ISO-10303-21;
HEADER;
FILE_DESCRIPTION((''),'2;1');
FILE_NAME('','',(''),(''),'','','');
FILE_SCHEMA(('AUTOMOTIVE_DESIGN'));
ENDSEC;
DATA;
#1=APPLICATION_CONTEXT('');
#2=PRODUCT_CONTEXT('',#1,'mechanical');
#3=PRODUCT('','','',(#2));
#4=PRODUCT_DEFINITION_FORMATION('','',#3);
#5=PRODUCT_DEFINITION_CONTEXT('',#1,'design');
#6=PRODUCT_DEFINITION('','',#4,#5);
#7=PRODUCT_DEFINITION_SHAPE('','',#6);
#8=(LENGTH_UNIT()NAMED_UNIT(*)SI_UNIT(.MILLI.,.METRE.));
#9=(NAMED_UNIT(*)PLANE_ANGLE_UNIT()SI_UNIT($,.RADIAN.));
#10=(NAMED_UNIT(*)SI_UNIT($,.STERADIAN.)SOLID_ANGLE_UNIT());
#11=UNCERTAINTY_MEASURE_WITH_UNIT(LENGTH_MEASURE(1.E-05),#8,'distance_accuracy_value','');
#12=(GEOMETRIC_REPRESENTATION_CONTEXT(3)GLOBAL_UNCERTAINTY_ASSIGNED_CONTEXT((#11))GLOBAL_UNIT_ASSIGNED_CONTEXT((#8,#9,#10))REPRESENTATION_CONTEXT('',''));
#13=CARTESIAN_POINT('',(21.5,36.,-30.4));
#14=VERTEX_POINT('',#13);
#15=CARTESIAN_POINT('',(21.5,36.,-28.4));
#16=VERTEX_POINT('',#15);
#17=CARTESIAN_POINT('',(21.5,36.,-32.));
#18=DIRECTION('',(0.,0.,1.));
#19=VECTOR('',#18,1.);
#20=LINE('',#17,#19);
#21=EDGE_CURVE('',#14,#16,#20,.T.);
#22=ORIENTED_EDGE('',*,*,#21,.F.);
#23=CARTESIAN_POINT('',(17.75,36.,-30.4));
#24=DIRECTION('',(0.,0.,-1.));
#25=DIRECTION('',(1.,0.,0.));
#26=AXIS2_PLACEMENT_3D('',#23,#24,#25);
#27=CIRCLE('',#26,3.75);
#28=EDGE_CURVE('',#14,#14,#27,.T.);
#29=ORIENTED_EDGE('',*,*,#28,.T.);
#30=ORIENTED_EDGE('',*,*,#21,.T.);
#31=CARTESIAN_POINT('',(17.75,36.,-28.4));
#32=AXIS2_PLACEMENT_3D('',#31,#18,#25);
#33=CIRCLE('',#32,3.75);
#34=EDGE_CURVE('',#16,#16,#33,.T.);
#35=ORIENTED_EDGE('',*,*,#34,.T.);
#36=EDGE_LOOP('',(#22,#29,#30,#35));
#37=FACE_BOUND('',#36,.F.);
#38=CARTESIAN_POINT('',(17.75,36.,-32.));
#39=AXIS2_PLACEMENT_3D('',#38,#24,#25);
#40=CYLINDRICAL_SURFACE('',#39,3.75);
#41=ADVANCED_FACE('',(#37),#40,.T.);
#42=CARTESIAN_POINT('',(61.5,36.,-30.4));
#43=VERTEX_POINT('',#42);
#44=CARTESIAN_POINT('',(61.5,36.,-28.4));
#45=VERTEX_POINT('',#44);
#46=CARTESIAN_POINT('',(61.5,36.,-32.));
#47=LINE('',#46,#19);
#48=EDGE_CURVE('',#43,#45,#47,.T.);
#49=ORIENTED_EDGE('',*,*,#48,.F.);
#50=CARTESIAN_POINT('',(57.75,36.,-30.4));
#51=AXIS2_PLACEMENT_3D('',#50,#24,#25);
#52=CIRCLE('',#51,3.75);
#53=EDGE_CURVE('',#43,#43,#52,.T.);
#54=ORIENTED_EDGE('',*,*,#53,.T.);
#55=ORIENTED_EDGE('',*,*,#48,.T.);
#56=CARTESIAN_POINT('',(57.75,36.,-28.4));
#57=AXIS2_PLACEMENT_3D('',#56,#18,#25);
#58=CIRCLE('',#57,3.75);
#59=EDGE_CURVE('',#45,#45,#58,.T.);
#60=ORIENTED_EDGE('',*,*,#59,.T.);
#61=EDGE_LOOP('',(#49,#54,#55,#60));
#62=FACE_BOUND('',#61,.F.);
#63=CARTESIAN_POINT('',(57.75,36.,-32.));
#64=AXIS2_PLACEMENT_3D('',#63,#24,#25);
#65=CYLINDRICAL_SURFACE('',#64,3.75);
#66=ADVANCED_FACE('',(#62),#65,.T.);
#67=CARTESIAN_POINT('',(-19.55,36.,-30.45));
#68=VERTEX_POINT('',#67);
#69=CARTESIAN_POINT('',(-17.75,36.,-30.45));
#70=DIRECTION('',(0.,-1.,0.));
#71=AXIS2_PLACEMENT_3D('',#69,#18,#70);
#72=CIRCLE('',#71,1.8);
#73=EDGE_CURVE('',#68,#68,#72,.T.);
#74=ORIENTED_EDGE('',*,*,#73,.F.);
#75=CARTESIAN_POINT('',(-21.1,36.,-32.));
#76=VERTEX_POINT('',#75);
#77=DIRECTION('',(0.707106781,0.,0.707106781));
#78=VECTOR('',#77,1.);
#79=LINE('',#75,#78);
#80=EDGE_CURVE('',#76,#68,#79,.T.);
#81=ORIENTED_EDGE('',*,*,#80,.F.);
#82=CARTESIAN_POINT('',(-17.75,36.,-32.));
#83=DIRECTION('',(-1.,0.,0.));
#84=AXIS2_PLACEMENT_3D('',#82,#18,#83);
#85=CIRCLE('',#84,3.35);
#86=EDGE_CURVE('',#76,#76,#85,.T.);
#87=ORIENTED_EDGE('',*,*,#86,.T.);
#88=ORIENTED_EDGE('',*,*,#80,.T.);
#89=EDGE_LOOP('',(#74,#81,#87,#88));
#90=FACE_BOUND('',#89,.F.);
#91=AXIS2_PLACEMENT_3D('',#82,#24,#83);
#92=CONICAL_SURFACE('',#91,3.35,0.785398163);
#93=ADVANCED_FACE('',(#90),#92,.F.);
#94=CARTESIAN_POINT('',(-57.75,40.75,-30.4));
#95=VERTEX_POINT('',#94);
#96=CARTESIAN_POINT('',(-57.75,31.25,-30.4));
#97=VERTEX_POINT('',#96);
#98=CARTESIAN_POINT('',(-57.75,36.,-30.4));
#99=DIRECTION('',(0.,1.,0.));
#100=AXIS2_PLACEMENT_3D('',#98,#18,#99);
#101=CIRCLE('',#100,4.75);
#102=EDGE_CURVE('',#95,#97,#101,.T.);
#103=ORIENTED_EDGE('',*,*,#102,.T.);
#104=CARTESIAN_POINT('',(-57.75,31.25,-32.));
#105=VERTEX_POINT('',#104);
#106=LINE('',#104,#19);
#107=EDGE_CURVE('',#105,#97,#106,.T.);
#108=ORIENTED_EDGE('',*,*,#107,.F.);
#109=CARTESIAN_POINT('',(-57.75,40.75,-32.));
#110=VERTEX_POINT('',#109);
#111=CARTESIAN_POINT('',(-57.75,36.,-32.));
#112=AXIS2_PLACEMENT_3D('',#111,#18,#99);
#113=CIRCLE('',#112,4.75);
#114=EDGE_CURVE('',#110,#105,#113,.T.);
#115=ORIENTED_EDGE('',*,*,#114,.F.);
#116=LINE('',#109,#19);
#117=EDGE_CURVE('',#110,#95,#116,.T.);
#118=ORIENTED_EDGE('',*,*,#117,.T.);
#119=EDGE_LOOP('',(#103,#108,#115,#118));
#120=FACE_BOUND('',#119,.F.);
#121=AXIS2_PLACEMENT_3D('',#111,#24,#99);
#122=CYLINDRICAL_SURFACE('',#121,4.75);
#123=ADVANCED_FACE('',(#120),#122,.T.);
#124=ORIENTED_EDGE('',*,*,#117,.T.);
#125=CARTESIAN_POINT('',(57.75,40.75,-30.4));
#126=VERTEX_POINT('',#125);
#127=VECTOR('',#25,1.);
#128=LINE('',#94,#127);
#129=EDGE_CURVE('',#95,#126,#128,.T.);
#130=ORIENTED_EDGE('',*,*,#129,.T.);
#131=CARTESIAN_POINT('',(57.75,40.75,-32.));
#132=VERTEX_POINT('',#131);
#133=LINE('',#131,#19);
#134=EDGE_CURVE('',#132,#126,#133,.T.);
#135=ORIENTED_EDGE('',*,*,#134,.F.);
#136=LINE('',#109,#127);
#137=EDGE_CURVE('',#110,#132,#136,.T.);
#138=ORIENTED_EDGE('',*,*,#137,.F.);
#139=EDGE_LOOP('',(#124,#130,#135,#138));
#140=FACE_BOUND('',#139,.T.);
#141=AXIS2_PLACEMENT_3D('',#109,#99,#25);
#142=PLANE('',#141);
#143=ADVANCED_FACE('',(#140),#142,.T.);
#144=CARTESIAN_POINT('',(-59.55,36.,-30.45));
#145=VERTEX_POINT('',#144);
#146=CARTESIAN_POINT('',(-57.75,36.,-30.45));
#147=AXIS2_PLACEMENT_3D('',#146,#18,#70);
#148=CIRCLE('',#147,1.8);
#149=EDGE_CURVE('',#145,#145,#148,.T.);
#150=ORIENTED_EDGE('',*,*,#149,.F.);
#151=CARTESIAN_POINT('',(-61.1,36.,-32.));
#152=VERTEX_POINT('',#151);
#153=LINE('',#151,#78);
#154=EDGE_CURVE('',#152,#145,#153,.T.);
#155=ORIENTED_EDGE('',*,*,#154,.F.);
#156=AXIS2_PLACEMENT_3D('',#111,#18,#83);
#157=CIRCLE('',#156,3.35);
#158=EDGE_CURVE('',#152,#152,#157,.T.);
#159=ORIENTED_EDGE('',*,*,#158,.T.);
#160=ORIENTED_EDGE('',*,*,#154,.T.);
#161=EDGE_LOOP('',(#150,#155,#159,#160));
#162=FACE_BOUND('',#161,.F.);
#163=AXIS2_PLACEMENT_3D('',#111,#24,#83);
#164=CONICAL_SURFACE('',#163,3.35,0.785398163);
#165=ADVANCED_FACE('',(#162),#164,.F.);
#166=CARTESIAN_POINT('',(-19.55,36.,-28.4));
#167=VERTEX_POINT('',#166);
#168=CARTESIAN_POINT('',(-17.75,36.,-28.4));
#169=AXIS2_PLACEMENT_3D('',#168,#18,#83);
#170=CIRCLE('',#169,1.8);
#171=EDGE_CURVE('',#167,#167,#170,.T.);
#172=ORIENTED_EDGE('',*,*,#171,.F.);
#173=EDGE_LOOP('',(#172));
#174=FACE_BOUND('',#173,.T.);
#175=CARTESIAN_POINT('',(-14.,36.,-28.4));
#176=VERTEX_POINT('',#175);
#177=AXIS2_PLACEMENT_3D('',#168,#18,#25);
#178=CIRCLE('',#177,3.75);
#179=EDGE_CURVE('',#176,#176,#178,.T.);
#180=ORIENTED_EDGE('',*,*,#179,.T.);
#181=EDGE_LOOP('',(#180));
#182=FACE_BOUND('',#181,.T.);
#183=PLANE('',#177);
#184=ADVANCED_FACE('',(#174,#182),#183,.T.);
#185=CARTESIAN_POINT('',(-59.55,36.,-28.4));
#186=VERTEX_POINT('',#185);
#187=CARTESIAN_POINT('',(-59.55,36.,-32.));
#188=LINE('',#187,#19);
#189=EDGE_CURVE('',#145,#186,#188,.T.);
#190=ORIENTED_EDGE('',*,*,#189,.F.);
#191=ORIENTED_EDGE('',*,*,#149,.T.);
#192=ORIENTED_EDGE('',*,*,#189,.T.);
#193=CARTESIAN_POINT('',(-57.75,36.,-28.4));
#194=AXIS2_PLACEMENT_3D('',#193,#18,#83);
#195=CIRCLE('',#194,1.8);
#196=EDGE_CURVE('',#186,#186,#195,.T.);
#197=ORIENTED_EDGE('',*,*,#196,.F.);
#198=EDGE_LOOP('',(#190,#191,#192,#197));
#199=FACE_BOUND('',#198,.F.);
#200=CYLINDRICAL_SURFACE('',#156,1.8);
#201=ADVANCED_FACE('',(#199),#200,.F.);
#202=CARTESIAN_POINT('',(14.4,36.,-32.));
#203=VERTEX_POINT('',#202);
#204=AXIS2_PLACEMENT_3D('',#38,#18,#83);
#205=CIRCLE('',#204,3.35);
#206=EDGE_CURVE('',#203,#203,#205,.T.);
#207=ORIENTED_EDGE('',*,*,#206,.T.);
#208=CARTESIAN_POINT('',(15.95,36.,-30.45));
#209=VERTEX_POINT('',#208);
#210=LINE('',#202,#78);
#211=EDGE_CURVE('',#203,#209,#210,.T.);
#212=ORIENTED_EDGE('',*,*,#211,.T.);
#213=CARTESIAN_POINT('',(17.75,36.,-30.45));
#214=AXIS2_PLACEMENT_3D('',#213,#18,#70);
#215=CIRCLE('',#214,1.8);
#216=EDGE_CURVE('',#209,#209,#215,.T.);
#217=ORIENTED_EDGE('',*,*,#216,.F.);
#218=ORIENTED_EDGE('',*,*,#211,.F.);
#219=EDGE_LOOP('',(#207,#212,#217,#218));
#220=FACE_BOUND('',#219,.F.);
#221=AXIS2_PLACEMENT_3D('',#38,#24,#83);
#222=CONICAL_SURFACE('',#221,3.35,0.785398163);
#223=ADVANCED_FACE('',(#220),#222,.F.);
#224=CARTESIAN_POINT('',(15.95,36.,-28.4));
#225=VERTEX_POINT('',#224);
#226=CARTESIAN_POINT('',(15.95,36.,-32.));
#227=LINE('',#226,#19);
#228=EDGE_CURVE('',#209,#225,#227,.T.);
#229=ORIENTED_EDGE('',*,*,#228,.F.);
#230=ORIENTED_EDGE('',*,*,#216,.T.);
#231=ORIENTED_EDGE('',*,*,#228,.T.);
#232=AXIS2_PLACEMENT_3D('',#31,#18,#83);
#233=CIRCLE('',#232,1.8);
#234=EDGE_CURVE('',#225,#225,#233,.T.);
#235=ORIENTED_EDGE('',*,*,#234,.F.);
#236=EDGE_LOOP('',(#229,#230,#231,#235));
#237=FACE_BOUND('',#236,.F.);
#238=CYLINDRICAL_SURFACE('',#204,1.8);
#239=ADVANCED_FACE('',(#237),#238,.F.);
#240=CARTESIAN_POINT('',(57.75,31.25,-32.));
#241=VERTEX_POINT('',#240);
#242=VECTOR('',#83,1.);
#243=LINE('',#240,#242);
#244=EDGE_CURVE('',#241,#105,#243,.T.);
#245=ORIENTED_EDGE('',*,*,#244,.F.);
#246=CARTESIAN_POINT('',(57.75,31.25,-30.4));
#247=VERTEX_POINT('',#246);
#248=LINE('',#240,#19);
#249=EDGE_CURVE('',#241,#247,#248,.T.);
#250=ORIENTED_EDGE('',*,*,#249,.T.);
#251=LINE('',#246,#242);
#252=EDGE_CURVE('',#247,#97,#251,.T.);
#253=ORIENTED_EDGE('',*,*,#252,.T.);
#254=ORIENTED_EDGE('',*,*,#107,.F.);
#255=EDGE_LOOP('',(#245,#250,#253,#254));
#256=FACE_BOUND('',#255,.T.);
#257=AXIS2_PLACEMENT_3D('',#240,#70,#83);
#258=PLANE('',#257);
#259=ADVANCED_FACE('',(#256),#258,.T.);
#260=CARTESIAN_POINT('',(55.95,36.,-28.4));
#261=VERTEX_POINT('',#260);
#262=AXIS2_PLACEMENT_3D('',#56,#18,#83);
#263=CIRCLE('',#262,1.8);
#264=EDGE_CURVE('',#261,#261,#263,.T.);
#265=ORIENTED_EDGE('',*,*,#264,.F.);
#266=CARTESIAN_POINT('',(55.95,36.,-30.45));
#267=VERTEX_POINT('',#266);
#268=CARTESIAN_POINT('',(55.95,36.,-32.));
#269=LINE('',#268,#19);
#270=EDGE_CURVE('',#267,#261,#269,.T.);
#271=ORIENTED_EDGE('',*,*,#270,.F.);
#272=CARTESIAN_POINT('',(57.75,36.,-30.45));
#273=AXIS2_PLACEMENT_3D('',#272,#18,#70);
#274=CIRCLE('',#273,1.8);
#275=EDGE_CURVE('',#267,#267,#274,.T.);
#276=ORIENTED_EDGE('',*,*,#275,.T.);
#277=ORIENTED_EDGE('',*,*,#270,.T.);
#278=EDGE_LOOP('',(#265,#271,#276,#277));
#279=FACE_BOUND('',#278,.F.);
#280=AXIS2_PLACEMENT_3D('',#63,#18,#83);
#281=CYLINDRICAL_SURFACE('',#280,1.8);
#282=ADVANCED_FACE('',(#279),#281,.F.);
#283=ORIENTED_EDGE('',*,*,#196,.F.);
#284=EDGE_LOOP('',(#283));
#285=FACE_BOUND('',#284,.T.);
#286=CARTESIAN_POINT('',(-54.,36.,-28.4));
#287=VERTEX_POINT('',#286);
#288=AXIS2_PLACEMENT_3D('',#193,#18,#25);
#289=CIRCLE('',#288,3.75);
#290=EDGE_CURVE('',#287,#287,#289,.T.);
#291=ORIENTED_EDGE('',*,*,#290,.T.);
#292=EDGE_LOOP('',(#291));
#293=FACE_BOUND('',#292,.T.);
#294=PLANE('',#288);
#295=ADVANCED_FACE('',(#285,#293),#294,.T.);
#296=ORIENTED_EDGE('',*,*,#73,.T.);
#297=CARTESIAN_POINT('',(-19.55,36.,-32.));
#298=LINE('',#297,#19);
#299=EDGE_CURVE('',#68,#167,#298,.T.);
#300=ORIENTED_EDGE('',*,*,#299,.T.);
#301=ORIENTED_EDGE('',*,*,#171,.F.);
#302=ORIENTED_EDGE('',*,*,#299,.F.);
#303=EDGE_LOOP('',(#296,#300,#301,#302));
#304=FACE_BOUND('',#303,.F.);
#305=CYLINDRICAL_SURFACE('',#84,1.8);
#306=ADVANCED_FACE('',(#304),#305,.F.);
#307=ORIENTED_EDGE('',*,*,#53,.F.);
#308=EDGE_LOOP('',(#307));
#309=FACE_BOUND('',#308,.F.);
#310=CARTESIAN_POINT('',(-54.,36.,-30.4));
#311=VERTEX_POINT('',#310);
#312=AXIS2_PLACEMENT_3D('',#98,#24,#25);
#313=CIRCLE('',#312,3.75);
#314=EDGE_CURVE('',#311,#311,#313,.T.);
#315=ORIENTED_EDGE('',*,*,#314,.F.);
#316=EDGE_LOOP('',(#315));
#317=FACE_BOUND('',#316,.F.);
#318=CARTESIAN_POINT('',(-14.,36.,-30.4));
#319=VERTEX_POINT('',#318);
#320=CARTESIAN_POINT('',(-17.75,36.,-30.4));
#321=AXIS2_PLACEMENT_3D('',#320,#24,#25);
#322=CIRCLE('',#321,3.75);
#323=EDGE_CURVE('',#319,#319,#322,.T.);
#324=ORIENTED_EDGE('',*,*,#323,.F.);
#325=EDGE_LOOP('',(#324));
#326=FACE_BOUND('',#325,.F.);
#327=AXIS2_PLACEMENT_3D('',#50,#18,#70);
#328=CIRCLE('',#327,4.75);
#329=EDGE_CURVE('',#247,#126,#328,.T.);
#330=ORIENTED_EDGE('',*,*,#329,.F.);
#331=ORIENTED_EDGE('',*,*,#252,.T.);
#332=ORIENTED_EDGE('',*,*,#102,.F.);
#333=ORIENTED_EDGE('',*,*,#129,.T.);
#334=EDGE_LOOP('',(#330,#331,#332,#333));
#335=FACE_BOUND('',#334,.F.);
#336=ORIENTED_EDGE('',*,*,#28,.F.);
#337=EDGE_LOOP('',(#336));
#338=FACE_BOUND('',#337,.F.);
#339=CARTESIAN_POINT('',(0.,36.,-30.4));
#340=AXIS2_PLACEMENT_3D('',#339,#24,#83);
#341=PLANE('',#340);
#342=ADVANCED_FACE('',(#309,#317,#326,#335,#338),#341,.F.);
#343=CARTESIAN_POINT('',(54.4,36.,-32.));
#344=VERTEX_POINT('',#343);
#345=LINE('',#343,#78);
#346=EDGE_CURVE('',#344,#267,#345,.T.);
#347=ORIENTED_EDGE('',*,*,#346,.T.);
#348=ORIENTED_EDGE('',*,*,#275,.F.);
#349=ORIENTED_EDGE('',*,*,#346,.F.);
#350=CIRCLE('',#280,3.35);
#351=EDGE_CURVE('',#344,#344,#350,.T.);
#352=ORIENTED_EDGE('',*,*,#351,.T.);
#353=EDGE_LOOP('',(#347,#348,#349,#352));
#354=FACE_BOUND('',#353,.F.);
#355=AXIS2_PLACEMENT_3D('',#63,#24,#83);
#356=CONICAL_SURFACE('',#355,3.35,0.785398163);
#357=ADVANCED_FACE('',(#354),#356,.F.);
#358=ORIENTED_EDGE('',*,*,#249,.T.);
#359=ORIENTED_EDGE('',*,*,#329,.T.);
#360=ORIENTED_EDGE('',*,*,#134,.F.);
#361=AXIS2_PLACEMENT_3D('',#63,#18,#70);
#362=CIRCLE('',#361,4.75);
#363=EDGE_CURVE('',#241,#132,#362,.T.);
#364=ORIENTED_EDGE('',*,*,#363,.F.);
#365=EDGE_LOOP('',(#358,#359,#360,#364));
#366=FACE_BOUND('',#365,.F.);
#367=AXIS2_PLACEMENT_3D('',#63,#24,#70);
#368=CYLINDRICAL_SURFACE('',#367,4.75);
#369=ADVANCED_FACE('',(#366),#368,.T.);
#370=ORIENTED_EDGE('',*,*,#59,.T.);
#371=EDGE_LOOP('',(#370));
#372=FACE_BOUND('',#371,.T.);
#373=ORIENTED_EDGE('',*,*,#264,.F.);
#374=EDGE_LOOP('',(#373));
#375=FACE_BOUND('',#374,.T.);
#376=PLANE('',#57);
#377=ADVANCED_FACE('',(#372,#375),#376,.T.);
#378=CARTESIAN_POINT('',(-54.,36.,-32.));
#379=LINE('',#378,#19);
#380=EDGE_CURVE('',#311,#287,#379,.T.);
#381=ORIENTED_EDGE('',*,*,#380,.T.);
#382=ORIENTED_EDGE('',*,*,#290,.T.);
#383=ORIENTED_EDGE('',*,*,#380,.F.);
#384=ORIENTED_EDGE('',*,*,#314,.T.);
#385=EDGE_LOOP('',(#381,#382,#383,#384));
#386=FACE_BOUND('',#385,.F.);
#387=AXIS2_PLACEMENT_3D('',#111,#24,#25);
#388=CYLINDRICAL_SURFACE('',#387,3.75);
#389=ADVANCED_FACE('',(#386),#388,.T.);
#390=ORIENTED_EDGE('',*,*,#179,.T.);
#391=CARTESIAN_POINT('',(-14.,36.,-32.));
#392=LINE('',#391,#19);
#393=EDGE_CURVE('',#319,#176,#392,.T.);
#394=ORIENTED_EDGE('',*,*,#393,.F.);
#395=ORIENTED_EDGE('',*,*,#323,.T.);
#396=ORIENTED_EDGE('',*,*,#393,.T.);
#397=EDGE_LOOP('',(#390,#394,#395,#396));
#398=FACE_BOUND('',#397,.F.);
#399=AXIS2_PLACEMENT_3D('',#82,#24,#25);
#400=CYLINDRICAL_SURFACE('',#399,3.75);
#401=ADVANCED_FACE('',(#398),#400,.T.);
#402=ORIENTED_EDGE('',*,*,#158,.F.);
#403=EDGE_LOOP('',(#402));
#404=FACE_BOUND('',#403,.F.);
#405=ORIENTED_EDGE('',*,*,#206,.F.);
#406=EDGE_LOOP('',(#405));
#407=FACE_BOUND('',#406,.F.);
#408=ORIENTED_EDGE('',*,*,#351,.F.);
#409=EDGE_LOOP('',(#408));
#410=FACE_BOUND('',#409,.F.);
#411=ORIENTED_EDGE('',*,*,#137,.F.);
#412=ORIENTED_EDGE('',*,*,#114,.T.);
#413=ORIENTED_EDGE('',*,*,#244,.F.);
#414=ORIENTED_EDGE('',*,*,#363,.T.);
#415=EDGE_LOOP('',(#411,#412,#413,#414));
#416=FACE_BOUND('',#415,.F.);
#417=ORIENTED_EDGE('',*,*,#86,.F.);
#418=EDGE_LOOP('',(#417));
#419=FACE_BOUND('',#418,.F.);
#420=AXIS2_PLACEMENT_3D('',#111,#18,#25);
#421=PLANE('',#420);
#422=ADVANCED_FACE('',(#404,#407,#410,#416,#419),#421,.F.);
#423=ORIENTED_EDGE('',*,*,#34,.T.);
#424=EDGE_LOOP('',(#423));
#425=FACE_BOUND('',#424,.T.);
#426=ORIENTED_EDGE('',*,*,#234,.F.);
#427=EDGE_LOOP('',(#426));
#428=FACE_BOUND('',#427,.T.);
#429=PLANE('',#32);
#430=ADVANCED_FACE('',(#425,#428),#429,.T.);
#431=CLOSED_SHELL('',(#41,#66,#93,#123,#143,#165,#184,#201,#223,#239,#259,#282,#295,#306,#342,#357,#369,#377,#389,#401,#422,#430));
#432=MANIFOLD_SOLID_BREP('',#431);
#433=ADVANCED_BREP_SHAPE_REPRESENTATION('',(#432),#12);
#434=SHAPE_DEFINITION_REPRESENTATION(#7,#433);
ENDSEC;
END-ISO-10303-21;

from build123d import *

# Parameters (mm, degrees)
PAD003_DEPTH        = 1.6
SKETCH006_R         = 3.75
PAD004_DEPTH        = 3.6
HOLE001_D           = 3.6
HOLE001_DEPTH       = 25
HOLE001_CSINK_D     = 6.7
HOLE001_CSINK_ANGLE = 90


with BuildPart() as part:
    # Sketch005 → Pad003 (new body)
    with BuildSketch(Plane.XY):
        with BuildLine():
            Line((-57.75, 4.75), (57.75, 4.75))
            ThreePointArc((57.75, -4.75), (62.5, 0), (57.75, 4.75))
            Line((57.75, -4.75), (-57.75, -4.75))
            ThreePointArc((-57.75, 4.75), (-62.5, 0), (-57.75, -4.75))
        make_face()
    extrude(amount=PAD003_DEPTH)

    # Sketch006 → Pad004 (join)
    with BuildSketch(Plane.XY):
        with Locations((-57.75, 0)):
            Circle(SKETCH006_R)
        with Locations((-17.75, 0)):
            Circle(SKETCH006_R)
        with Locations((17.75, 0)):
            Circle(SKETCH006_R)
        with Locations((57.75, 0)):
            Circle(SKETCH006_R)
    extrude(amount=PAD004_DEPTH)

    # Hole001
    with Locations(Plane(origin=(0, 0, 0), x_dir=(1, 0, 0), z_dir=(0, 0, -1))):
        with Locations((-57.75, 0), (-17.75, 0), (17.75, 0), (57.75, 0)):
            CounterSinkHole(HOLE001_D / 2, HOLE001_CSINK_D / 2, depth=HOLE001_DEPTH, counter_sink_angle=HOLE001_CSINK_ANGLE)


with BuildPart() as part_1:
    # Body001 placement: moved
    add(part.part.moved(Location((0, 36, -32))))


solid = part_1.part
